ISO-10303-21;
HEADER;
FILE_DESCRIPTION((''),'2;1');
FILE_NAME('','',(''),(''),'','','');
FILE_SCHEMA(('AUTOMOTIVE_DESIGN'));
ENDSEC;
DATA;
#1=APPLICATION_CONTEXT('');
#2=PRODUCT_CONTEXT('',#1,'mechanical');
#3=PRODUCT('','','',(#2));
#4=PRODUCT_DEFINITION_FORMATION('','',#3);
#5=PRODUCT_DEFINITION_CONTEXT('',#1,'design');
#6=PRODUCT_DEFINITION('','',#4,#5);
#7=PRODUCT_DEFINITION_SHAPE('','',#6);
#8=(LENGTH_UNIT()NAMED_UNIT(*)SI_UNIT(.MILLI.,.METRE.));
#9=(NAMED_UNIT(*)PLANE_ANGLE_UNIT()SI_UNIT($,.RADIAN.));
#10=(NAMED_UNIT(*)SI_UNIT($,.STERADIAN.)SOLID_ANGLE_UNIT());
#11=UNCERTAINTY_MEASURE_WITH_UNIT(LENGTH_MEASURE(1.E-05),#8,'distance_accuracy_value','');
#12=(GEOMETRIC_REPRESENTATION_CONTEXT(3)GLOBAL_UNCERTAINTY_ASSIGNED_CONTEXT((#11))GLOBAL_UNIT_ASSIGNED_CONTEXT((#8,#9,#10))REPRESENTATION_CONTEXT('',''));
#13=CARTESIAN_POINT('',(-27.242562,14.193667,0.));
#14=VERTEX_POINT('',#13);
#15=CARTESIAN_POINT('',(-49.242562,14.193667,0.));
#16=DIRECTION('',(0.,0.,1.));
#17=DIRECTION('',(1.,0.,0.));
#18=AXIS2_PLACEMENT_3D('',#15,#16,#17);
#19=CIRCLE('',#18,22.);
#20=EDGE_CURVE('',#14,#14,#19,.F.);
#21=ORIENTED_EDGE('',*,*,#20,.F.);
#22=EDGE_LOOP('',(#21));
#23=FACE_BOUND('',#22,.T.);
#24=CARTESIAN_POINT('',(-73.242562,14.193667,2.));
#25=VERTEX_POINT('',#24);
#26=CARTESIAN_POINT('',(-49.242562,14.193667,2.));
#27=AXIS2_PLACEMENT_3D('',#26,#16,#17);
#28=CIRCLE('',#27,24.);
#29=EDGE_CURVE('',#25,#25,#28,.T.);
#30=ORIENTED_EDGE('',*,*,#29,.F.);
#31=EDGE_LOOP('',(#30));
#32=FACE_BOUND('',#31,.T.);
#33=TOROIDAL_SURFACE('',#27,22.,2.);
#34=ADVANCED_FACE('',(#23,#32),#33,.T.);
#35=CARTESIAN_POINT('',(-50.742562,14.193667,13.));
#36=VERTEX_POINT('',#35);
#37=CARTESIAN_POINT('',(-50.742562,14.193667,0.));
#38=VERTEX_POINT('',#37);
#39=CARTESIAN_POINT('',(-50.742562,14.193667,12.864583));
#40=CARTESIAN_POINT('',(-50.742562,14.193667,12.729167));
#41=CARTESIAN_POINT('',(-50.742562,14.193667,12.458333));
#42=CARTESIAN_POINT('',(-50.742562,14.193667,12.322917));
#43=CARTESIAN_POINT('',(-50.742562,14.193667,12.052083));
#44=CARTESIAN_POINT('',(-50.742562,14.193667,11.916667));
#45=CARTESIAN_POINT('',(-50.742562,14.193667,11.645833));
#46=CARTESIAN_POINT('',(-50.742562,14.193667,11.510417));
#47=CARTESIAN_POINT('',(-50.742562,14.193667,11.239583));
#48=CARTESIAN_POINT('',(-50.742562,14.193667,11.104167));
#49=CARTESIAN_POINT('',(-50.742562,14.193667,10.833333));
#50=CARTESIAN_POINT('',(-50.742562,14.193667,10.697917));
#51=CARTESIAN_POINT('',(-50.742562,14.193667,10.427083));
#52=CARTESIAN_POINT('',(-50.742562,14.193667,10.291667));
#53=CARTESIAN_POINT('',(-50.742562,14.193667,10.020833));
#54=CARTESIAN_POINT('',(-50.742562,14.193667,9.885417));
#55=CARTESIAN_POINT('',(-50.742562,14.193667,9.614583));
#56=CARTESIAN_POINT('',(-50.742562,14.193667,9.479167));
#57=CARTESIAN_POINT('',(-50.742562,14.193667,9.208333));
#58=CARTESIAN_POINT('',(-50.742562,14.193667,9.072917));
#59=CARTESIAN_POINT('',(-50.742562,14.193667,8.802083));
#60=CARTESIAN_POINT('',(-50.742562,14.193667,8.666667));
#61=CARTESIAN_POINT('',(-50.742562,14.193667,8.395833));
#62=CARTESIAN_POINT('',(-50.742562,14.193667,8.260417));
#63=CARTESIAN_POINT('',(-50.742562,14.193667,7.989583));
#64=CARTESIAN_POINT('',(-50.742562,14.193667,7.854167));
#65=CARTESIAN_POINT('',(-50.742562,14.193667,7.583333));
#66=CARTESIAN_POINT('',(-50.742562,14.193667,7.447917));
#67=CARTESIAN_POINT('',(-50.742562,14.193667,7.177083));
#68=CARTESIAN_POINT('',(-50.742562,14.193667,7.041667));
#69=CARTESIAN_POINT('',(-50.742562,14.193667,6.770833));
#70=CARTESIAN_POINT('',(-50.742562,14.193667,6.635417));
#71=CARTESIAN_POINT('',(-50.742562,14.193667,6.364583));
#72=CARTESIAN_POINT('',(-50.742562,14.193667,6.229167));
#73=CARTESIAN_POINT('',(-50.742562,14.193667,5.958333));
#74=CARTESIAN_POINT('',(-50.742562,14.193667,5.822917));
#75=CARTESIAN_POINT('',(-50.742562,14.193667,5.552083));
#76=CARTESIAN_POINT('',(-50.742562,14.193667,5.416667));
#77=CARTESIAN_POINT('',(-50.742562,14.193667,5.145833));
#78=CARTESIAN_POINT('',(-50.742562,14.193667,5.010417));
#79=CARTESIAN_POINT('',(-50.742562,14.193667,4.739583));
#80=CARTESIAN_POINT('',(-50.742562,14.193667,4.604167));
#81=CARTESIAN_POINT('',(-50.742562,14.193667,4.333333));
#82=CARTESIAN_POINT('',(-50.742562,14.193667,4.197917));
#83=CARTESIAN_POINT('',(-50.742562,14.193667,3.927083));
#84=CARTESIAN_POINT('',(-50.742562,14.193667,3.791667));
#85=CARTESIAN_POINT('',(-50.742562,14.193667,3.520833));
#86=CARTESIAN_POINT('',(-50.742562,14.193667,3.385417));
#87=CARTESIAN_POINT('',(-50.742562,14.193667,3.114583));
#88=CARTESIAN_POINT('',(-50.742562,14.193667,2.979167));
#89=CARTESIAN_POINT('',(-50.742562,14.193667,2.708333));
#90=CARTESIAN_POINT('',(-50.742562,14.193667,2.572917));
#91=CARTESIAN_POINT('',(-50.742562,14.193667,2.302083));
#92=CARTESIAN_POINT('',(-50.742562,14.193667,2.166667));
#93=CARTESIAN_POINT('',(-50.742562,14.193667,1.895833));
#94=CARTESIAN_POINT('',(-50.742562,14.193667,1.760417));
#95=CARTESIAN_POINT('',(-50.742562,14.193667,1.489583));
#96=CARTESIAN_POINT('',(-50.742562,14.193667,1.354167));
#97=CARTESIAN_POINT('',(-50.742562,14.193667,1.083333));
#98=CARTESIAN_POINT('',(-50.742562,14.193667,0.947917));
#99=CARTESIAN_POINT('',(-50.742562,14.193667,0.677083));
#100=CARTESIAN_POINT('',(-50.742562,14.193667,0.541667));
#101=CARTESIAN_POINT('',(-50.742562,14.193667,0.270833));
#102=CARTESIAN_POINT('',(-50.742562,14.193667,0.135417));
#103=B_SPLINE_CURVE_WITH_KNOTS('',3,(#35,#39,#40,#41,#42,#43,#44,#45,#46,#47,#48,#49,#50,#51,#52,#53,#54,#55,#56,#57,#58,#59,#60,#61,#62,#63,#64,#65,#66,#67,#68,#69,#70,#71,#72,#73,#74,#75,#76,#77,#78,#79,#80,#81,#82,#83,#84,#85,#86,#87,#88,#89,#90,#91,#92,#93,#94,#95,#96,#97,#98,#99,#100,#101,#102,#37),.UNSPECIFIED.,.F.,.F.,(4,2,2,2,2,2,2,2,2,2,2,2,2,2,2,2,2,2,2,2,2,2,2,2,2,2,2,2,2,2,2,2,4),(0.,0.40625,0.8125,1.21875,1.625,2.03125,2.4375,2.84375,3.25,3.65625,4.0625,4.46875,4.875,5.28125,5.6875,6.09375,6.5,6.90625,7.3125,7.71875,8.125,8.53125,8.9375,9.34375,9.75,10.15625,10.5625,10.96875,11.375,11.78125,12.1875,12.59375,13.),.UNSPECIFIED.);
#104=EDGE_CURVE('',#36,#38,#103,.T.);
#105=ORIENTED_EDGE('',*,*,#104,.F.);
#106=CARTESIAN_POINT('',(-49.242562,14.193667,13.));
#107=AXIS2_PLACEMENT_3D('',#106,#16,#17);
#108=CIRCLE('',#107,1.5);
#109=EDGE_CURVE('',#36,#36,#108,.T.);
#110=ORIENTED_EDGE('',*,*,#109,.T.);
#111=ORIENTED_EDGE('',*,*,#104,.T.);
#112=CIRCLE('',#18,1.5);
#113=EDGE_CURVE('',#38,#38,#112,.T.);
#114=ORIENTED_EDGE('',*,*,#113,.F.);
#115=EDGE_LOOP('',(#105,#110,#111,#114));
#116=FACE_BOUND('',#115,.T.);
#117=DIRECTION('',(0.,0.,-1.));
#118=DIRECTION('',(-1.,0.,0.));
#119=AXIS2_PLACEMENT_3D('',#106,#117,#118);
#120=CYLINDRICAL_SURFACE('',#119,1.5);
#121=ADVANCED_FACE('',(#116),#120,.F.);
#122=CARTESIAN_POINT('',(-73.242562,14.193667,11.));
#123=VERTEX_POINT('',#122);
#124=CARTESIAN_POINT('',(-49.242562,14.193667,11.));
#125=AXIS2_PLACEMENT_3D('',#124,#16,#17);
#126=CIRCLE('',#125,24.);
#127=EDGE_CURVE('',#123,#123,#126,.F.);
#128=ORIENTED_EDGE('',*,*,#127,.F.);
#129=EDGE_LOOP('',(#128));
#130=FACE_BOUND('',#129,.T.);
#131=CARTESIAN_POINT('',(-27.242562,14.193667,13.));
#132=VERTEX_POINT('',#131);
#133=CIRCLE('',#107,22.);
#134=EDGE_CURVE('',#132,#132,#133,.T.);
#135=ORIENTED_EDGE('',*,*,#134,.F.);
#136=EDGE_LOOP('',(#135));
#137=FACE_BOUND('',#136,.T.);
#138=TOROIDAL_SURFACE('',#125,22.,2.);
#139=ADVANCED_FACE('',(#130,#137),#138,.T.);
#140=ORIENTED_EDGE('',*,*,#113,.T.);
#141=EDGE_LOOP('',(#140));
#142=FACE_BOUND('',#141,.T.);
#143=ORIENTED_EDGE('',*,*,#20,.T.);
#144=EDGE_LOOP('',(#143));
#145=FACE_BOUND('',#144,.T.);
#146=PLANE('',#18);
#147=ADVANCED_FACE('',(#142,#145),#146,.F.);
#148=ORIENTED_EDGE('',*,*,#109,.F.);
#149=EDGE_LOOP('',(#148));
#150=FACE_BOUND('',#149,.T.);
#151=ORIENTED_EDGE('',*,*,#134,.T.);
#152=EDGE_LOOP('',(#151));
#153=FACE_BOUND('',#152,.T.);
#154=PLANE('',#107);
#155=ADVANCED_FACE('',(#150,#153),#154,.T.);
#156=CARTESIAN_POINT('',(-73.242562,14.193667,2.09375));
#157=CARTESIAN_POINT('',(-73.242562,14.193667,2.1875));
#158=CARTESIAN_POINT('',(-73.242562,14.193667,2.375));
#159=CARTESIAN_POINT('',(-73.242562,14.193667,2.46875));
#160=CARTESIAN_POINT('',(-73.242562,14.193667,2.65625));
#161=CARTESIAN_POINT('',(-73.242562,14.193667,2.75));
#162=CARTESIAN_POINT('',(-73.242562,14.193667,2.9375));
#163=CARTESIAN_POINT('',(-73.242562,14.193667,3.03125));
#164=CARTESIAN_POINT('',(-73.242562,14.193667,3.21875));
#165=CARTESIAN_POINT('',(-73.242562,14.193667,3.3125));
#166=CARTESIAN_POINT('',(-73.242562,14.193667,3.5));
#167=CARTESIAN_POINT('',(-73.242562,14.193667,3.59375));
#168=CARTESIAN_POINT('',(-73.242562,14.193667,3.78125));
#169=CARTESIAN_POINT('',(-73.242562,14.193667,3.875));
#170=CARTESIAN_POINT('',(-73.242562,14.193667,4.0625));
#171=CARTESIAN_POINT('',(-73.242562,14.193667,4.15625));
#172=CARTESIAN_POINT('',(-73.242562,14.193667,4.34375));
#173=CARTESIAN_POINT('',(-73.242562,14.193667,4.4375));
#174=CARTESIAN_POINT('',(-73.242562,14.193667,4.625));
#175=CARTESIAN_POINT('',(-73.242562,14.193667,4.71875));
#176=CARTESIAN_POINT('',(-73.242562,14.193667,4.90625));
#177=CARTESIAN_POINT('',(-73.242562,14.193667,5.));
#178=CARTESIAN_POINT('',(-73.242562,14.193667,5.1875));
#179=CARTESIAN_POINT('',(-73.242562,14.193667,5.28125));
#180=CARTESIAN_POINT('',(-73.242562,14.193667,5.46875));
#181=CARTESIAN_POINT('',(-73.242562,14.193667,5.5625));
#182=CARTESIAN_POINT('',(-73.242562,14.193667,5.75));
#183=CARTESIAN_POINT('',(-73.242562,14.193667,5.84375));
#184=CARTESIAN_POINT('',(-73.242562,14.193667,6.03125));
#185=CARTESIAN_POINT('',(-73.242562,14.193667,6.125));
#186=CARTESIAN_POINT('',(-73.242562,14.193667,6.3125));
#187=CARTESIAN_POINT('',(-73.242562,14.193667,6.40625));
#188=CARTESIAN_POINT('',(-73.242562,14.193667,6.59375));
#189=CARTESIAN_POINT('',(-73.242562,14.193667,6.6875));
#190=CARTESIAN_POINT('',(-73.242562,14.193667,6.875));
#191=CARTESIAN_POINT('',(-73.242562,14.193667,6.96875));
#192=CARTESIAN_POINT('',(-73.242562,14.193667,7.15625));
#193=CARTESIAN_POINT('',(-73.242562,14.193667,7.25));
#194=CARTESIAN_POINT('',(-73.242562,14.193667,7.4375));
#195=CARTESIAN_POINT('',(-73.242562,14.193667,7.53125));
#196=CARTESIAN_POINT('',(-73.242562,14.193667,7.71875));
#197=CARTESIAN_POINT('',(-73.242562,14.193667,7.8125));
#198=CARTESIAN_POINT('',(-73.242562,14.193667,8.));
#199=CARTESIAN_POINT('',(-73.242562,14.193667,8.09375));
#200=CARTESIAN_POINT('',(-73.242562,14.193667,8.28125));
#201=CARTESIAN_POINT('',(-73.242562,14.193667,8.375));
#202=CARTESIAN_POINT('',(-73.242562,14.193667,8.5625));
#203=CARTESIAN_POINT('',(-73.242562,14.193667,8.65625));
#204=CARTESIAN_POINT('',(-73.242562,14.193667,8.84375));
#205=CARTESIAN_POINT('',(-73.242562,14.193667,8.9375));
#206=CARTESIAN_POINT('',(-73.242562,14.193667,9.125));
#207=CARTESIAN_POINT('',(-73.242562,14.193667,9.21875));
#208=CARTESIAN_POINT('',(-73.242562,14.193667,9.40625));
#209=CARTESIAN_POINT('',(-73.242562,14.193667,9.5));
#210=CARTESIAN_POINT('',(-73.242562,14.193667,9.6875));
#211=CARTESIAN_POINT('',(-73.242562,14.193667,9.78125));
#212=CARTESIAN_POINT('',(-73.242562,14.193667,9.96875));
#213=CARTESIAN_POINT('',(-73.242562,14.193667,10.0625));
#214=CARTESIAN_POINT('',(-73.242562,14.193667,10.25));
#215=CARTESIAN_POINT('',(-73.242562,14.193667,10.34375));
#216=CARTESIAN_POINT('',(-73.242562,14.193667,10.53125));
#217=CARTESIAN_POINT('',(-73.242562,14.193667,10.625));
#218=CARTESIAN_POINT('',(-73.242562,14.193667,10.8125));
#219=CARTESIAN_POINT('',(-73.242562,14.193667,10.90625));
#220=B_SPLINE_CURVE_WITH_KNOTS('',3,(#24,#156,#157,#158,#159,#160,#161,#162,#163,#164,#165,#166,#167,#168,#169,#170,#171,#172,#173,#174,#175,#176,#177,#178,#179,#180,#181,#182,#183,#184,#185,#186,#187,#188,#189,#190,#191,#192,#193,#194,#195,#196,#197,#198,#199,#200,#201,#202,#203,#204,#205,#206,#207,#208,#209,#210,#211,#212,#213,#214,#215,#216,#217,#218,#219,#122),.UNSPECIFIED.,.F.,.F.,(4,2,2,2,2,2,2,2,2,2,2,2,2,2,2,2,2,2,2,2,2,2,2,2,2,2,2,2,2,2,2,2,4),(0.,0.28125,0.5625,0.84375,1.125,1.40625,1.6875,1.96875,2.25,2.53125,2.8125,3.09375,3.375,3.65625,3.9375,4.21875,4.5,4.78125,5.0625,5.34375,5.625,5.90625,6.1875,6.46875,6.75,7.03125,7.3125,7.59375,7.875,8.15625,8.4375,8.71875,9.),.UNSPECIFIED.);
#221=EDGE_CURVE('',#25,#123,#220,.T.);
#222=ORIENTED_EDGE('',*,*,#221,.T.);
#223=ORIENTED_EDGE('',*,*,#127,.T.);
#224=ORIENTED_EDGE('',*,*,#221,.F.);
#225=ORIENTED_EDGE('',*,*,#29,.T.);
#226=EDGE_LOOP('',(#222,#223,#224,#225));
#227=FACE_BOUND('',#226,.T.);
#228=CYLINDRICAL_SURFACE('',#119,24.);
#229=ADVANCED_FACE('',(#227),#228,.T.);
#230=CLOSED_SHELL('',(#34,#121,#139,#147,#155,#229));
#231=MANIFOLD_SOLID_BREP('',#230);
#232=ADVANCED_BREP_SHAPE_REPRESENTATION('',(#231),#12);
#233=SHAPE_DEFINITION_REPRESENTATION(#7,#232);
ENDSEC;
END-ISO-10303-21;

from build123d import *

# Parameters (mm, degrees)
CROQUIS1_R              = 24
CROQUIS1_R_2            = 1.5
SALIENTE_EXTRUIR1_DEPTH = 13
REDONDEO1_R             = 2
REDONDEO2_R             = 2


with BuildPart() as part:
    # Croquis1 → Saliente-Extruir1 (new body)
    with BuildSketch(Plane.XY):
        with Locations(Location((-49.242561536, 14.193667069, 0), (0, 0, 180))):
            Circle(CROQUIS1_R)
        with Locations(Location((-49.242561536, 14.193667069, 0), (0, 0, 180))):
            Circle(CROQUIS1_R_2, mode=Mode.SUBTRACT)
    extrude(amount=SALIENTE_EXTRUIR1_DEPTH)

    # Redondeo1
    redondeo1_edges = [part.edges().sort_by_distance(p)[0] for p in [
        (-25.242561536, 14.193667069, 13),
    ]]
    fillet(redondeo1_edges, radius=REDONDEO1_R)

    # Redondeo2
    redondeo2_edges = [part.edges().sort_by_distance(p)[0] for p in [
        (-25.242561536, 14.193667069, 0),
    ]]
    fillet(redondeo2_edges, radius=REDONDEO2_R)


solid = part.part
